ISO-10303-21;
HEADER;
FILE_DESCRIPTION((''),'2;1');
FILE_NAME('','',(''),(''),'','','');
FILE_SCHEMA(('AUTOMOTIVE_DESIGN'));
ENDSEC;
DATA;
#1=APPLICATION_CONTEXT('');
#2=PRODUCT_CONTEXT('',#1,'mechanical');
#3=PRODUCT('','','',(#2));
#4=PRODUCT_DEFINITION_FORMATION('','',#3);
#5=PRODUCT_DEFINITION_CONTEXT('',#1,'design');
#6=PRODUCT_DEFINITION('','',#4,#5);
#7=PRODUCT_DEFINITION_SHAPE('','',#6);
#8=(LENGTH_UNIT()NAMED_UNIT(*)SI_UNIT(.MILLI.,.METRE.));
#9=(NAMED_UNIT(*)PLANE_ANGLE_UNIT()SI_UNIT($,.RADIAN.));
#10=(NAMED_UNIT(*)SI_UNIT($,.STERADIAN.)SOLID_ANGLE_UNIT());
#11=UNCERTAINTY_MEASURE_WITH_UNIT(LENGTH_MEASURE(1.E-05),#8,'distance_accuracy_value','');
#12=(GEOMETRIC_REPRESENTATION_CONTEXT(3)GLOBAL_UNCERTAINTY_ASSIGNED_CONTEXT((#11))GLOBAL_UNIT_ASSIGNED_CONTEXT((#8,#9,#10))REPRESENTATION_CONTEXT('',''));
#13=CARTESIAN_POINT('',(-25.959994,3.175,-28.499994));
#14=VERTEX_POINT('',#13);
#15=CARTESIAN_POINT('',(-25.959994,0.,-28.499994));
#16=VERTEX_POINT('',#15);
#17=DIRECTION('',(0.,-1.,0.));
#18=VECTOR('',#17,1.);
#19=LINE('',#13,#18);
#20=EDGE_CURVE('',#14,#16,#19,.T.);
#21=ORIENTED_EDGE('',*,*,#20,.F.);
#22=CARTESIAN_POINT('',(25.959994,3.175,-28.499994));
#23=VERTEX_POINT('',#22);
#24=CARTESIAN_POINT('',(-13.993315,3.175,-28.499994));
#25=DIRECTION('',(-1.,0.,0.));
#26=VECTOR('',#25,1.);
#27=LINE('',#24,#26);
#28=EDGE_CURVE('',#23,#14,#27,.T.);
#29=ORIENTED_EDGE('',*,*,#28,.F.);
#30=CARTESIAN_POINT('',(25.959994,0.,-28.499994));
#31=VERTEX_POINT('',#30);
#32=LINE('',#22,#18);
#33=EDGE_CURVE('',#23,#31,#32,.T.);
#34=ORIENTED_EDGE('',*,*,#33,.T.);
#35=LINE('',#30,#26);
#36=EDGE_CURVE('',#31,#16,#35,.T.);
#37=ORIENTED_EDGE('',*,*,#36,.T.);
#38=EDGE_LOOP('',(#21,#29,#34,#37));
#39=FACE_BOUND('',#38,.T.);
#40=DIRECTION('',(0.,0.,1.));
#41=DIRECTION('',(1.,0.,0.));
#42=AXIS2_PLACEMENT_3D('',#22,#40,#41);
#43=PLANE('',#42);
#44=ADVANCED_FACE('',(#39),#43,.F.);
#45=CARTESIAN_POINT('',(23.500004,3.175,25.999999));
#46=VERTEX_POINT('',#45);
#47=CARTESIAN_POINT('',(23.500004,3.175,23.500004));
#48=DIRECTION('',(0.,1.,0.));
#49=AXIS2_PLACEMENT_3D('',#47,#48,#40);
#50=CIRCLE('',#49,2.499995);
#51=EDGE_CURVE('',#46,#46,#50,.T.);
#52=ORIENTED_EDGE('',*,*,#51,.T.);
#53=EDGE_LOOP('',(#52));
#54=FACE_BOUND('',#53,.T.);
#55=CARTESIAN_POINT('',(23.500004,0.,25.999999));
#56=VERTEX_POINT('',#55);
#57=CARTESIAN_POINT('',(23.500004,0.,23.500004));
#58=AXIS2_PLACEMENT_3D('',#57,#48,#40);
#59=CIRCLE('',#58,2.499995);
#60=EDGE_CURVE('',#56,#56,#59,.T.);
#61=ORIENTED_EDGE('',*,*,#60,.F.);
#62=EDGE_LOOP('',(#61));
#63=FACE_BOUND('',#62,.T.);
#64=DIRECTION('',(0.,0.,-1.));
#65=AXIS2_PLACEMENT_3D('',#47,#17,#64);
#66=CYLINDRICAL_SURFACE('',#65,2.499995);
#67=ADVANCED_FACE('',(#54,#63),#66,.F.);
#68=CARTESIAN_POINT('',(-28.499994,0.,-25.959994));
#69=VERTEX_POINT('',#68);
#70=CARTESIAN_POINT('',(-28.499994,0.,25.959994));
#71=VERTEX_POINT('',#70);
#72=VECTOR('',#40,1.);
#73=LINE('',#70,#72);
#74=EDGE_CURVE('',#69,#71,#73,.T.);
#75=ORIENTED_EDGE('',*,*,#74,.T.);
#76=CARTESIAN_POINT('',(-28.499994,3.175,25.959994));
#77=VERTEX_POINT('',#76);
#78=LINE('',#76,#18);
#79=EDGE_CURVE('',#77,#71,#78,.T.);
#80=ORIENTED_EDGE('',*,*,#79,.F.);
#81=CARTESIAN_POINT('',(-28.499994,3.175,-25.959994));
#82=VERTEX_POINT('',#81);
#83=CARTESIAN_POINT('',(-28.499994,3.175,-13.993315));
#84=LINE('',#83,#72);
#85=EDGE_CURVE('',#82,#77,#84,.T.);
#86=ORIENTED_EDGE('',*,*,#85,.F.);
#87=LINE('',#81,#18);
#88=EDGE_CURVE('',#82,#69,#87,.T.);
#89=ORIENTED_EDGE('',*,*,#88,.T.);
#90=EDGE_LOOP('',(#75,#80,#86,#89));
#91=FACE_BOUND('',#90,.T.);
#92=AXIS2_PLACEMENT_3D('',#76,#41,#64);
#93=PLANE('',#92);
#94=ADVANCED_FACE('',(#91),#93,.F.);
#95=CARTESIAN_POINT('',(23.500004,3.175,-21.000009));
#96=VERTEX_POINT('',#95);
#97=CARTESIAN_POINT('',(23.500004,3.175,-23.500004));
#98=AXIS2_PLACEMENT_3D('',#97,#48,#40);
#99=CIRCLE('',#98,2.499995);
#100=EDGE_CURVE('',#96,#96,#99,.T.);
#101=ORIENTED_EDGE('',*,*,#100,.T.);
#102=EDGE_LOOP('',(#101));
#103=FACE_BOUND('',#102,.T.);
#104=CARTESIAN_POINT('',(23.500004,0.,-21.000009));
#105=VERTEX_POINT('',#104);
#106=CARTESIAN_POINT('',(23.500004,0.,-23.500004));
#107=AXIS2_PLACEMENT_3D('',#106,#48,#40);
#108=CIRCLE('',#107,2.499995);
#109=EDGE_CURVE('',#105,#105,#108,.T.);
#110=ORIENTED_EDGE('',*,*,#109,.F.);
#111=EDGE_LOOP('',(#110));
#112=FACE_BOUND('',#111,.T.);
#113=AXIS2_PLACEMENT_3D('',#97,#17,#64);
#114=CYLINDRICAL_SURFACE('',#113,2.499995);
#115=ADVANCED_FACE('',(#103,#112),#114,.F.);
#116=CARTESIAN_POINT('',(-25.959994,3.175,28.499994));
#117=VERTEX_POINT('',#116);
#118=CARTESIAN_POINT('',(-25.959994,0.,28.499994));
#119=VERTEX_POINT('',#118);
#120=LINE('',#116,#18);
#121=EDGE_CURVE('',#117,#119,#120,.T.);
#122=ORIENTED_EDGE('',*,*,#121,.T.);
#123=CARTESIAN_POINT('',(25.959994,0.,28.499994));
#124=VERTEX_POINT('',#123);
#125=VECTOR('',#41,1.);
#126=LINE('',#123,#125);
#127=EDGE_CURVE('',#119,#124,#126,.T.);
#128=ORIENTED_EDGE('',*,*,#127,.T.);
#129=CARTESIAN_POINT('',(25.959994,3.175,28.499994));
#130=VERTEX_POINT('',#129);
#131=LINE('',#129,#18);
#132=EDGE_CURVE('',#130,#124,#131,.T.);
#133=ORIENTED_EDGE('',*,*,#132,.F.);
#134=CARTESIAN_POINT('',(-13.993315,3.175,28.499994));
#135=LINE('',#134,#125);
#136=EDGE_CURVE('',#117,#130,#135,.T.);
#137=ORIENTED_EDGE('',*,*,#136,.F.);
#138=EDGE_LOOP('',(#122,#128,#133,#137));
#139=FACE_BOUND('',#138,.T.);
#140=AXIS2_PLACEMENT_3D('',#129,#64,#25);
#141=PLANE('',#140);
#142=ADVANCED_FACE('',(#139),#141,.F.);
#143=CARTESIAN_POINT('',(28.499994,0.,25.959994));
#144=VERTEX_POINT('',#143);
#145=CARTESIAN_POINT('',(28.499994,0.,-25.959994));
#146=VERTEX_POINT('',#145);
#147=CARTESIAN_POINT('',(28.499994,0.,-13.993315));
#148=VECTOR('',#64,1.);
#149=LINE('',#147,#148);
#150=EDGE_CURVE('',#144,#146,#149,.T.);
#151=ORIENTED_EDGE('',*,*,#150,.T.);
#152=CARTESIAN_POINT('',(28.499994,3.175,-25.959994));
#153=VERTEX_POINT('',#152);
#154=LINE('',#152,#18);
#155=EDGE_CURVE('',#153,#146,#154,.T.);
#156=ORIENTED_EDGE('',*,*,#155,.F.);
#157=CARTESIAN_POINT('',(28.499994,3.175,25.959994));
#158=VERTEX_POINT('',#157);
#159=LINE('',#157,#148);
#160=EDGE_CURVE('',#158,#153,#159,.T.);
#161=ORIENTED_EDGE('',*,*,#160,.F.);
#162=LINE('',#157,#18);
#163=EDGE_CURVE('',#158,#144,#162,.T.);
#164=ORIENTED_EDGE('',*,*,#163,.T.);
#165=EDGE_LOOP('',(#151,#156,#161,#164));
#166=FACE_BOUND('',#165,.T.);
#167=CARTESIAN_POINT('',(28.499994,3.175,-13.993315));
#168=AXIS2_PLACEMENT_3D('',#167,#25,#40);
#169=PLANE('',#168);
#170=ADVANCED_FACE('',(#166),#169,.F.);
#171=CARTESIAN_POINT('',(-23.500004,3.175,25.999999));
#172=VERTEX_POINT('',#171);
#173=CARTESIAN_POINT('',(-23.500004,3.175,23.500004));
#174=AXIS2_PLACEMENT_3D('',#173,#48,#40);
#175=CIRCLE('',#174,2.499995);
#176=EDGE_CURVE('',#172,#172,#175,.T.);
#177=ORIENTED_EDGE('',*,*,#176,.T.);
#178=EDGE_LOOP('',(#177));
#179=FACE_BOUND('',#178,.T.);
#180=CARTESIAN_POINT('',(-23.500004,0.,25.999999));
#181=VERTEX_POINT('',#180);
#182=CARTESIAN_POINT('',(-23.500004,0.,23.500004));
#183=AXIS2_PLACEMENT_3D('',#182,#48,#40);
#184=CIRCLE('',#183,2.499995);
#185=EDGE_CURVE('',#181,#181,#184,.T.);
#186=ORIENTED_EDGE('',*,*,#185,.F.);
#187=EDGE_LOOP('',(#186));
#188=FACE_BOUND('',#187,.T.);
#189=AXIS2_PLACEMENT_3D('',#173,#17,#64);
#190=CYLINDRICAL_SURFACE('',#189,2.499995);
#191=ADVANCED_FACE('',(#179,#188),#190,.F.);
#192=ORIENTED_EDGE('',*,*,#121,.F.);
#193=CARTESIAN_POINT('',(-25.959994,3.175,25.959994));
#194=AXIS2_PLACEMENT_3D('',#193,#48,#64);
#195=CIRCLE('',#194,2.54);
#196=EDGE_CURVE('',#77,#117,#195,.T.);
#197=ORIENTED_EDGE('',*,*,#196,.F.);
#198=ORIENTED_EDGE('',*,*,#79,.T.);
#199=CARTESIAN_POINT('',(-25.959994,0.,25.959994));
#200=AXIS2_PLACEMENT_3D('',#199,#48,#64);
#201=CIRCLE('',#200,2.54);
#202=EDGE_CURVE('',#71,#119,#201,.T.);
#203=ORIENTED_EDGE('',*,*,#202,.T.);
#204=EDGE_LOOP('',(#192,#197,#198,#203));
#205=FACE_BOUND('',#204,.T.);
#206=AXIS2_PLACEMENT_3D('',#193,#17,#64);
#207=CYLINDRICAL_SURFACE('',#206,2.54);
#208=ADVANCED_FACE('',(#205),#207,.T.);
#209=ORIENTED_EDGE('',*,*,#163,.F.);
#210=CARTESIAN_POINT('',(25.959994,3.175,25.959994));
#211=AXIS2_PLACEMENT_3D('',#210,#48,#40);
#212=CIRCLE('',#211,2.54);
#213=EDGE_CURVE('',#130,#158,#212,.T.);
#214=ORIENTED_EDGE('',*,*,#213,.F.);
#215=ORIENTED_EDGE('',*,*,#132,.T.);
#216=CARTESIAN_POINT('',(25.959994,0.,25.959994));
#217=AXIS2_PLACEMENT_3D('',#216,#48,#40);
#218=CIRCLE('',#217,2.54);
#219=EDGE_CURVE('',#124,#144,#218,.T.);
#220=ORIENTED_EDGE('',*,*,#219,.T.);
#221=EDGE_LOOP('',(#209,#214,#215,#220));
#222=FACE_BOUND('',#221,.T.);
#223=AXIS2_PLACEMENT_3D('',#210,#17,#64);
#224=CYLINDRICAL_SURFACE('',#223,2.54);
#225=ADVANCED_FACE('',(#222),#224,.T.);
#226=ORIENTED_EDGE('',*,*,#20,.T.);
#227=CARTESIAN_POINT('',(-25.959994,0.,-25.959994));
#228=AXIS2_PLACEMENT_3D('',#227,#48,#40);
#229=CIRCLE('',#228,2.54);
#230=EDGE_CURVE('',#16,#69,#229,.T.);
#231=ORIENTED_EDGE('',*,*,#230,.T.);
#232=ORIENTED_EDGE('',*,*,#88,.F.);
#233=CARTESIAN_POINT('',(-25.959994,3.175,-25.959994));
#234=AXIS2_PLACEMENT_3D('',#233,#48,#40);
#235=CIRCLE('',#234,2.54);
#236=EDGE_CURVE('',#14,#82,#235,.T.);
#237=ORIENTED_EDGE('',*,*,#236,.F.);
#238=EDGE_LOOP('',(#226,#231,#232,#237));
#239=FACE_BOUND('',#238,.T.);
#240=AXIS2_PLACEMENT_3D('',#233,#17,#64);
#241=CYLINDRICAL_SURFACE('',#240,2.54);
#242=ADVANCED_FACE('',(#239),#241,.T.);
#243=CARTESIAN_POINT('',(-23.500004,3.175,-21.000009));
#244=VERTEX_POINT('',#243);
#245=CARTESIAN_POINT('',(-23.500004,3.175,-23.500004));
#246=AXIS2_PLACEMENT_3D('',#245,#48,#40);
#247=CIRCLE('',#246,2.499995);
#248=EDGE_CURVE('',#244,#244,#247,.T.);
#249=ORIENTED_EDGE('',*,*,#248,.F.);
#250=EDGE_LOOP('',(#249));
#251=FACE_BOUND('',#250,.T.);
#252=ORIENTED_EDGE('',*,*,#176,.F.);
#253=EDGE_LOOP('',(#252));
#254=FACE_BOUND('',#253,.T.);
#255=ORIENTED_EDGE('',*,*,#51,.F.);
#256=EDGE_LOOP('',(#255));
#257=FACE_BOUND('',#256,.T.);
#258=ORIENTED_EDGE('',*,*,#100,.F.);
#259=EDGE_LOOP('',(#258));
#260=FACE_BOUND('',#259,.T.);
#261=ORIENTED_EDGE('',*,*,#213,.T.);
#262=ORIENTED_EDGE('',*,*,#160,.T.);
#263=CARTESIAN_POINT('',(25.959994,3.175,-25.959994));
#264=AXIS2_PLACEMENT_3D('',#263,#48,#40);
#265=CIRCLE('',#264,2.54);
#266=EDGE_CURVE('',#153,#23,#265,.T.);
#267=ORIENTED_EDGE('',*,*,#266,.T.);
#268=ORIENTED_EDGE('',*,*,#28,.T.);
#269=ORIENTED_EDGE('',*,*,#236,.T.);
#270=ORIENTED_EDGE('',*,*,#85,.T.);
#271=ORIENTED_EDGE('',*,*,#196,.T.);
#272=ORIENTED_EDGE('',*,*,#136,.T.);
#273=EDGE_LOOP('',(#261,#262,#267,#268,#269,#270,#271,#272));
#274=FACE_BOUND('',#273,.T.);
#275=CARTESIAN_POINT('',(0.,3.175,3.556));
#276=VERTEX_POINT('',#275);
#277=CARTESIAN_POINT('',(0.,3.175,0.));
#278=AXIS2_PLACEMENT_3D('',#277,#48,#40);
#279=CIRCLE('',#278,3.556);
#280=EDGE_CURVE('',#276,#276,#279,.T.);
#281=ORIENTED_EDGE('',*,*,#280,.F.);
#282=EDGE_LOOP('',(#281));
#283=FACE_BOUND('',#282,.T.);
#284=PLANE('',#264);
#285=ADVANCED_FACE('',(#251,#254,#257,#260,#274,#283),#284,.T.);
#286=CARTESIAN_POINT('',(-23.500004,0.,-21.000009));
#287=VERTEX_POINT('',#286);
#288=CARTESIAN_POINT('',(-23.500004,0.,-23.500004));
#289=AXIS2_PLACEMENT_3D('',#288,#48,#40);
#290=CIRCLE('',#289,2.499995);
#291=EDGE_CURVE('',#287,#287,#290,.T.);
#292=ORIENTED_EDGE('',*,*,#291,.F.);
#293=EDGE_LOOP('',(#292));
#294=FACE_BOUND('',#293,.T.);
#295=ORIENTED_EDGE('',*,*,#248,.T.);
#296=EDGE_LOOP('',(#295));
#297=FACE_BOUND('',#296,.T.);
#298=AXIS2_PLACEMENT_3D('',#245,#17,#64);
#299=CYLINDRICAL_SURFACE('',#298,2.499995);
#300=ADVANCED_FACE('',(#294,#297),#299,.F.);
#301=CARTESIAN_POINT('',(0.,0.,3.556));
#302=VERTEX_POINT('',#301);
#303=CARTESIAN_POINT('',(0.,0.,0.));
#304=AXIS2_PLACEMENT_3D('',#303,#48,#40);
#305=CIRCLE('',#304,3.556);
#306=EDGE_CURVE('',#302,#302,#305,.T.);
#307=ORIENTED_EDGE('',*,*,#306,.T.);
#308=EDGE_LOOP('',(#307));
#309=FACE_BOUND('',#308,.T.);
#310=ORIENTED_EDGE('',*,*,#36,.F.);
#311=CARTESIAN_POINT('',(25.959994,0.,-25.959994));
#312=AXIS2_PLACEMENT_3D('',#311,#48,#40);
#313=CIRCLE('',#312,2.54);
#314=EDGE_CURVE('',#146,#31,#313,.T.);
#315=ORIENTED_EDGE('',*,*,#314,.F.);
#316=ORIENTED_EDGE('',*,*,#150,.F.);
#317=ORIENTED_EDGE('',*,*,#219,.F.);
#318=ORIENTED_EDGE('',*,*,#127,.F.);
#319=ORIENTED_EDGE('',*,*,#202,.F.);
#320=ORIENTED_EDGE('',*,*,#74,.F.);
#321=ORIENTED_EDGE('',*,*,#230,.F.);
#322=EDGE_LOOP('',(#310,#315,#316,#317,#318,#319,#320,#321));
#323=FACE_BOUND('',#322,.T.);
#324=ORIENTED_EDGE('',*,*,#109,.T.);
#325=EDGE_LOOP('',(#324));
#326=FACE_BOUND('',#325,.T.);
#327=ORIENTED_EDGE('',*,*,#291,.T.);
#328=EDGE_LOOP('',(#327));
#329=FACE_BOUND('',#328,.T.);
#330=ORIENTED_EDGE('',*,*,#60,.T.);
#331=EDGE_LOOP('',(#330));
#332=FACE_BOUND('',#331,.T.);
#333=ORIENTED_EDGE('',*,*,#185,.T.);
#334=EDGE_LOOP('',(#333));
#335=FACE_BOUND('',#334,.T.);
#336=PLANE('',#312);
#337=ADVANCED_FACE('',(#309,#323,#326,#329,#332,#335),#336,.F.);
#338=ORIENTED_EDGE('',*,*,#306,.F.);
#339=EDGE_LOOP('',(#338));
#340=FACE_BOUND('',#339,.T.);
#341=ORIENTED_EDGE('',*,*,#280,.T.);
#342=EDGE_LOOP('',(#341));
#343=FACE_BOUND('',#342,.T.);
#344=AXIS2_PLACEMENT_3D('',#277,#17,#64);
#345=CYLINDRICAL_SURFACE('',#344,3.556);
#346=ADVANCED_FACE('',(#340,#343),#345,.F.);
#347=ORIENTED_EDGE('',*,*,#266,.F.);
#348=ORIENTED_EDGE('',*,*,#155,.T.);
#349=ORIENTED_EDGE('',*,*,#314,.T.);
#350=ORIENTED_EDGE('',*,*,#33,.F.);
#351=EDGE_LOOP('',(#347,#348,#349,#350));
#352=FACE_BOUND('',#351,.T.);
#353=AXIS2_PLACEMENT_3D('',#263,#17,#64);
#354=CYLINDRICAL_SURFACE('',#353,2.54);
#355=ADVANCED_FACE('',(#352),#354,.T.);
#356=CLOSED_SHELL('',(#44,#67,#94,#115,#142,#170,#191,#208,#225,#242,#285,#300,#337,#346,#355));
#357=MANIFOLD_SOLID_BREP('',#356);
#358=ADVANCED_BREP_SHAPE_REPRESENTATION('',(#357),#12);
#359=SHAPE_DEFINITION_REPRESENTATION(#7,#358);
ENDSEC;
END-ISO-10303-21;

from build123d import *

# Parameters (mm, degrees)
SKETCH1_R           = 3.556
SKETCH1_R_2         = 2.499995
BOSS_EXTRUDE1_DEPTH = 3.175


with BuildPart() as part:
    # Sketch1 → Boss-Extrude1 (new body)
    with BuildSketch(Plane(origin=(0, 0, 0), x_dir=(1, 0, 0), z_dir=(0, 1, 0))):
        with BuildLine():
            Line((-13.993314597, 28.4999938), (-25.9599938, 28.4999938))
            ThreePointArc((-25.9599938, 28.4999938), (-27.756045024, 27.756045024), (-28.4999938, 25.9599938))
            Line((-28.4999938, 25.9599938), (-28.4999938, 13.993314597))
            Line((-28.4999938, 13.993314597), (-28.4999938, -13.993314597))
            Line((-28.4999938, -13.993314597), (-28.4999938, -25.9599938))
            ThreePointArc((-28.4999938, -25.9599938), (-27.756045024, -27.756045024), (-25.9599938, -28.4999938))
            Line((-25.9599938, -28.4999938), (-13.993314597, -28.4999938))
            Line((-13.993314597, -28.4999938), (13.993314597, -28.4999938))
            Line((13.993314597, -28.4999938), (25.9599938, -28.4999938))
            ThreePointArc((25.9599938, -28.4999938), (27.756045024, -27.756045024), (28.4999938, -25.9599938))
            Line((28.4999938, -25.9599938), (28.4999938, -13.993314597))
            Line((28.4999938, -13.993314597), (28.4999938, 13.993314597))
            Line((28.4999938, 13.993314597), (28.4999938, 25.9599938))
            ThreePointArc((28.4999938, 25.9599938), (27.756045024, 27.756045024), (25.9599938, 28.4999938))
            Line((25.9599938, 28.4999938), (13.993314597, 28.4999938))
            Line((13.993314597, 28.4999938), (-13.993314597, 28.4999938))
        make_face()
        Circle(SKETCH1_R, mode=Mode.SUBTRACT)
        with Locations((-23.5000038, 23.5000038)):
            Circle(SKETCH1_R_2, mode=Mode.SUBTRACT)
        with Locations((23.5000038, 23.5000038)):
            Circle(SKETCH1_R_2, mode=Mode.SUBTRACT)
        with Locations((23.5000038, -23.5000038)):
            Circle(SKETCH1_R_2, mode=Mode.SUBTRACT)
        with Locations((-23.5000038, -23.5000038)):
            Circle(SKETCH1_R_2, mode=Mode.SUBTRACT)
    extrude(amount=BOSS_EXTRUDE1_DEPTH)


solid = part.part
